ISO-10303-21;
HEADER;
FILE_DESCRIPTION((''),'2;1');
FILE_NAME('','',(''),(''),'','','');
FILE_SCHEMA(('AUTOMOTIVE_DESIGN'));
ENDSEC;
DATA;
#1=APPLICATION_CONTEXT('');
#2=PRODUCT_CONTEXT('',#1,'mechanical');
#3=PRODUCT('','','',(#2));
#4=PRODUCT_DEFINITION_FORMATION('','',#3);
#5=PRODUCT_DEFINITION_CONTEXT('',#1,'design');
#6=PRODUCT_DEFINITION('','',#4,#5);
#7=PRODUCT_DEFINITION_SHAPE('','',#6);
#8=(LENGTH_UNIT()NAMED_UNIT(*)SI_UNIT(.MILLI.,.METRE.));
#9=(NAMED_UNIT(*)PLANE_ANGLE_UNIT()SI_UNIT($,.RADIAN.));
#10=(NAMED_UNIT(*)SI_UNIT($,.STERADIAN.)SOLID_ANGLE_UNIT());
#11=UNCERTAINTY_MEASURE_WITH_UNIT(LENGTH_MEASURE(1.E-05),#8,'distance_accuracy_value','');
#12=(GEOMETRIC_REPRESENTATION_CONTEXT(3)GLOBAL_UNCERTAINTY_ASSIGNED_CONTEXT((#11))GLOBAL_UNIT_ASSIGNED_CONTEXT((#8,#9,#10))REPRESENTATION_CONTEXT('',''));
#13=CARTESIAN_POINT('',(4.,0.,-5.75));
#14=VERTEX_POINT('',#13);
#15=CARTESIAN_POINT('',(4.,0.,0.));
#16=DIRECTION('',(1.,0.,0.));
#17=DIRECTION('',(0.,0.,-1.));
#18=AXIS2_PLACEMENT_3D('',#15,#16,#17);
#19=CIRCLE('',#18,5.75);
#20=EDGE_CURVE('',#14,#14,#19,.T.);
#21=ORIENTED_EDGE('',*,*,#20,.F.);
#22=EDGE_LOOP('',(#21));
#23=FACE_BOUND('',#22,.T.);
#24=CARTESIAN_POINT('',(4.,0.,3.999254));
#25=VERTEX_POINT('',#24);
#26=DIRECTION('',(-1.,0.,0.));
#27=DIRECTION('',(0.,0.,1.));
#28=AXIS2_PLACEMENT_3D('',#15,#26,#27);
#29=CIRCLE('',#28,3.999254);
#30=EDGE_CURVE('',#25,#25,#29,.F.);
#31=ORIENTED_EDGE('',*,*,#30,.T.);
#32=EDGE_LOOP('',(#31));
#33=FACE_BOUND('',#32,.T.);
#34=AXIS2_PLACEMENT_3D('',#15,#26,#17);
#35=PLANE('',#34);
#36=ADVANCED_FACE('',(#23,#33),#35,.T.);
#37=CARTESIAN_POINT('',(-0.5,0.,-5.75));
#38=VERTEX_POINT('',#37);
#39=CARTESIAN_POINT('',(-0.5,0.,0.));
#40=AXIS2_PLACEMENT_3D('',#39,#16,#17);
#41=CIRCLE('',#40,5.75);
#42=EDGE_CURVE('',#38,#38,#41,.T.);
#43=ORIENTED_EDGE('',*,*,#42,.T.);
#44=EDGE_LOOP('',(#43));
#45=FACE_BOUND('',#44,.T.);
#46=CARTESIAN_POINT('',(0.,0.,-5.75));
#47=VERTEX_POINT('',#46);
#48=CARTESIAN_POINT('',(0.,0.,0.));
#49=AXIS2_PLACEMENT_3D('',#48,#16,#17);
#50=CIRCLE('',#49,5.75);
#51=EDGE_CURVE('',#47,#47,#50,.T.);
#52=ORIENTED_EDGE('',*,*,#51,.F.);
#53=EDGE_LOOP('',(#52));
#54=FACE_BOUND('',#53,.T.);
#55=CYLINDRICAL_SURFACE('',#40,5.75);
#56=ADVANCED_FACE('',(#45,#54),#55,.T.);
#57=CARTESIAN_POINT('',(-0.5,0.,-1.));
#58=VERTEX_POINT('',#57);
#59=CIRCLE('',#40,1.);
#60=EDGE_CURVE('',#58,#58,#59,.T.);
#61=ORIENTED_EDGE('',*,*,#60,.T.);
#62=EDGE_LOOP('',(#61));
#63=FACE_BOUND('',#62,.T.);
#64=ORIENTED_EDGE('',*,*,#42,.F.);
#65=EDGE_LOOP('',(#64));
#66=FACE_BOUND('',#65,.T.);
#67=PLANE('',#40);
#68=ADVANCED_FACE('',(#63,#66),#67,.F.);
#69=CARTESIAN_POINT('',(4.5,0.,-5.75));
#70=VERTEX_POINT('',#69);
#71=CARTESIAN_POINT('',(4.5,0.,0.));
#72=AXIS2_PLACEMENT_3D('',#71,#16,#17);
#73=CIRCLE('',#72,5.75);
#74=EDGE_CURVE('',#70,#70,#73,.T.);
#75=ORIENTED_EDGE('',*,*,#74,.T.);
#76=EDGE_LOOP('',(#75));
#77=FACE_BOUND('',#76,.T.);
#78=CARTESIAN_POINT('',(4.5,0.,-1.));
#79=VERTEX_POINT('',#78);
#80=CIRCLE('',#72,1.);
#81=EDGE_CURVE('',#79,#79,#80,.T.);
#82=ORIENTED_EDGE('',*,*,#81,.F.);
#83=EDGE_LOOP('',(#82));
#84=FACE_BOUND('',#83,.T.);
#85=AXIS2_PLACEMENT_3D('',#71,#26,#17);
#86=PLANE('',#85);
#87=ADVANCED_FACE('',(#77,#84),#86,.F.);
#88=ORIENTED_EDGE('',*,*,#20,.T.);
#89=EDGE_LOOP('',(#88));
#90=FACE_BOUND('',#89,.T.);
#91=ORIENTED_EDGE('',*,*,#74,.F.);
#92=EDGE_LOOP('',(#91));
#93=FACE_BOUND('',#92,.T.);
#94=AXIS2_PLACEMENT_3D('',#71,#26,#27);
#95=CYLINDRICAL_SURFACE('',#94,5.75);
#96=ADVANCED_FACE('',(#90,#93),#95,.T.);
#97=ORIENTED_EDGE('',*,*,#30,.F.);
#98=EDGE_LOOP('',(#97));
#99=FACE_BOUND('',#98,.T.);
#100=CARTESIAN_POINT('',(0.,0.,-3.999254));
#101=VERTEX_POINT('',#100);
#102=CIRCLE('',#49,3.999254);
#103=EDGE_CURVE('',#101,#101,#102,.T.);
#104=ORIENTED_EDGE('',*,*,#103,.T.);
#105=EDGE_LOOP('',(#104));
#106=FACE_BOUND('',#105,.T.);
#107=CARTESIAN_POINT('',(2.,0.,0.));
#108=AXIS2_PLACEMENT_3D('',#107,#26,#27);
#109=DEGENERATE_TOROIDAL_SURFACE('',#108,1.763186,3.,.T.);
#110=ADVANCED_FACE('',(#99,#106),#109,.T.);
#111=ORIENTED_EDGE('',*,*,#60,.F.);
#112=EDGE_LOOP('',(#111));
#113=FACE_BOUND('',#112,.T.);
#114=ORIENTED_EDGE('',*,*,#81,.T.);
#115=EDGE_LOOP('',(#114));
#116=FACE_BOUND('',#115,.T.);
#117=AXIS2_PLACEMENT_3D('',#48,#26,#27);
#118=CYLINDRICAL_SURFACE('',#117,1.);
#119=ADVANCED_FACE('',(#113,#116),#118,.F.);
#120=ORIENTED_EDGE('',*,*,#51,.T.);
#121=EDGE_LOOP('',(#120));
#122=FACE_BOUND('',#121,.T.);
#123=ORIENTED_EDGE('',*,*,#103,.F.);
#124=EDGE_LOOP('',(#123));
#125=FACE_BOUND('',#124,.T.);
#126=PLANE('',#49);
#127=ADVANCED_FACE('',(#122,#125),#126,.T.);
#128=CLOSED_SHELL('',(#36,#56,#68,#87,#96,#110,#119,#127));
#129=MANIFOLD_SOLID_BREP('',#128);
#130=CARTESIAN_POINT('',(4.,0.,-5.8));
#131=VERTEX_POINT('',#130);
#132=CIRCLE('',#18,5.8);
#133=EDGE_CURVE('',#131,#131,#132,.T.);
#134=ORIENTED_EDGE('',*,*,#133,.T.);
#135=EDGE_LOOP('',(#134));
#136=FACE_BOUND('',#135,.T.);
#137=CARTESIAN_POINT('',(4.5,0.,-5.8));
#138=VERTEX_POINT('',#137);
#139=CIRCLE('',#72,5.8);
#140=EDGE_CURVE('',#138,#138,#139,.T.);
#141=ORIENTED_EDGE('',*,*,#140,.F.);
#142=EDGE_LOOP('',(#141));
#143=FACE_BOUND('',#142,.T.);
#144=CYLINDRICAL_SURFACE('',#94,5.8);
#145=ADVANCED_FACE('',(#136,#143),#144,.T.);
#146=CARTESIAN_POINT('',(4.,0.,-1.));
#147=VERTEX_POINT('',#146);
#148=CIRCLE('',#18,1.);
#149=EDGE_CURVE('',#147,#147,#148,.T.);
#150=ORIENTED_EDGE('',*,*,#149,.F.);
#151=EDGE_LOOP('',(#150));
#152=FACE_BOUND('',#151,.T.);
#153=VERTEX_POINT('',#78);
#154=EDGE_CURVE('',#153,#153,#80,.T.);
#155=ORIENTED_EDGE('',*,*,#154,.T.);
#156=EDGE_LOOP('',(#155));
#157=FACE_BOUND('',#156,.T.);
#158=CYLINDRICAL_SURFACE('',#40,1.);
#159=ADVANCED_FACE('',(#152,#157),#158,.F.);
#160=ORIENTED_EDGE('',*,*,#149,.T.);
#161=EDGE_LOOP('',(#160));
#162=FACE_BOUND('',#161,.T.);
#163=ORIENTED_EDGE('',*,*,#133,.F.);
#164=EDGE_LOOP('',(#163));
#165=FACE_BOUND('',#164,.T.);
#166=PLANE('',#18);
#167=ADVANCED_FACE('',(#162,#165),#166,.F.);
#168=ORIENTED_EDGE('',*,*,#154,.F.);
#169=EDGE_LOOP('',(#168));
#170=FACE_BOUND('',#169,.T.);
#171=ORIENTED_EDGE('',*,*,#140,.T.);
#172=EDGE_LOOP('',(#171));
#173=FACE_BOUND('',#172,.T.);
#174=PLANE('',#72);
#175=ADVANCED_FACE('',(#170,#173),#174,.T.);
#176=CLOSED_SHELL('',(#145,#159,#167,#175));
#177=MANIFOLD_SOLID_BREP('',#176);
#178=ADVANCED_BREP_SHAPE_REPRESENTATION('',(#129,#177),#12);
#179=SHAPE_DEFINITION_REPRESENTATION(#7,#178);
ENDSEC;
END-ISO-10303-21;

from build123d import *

# Parameters (mm, degrees)
SKETCH6_R           = 5.75
BOSS_EXTRUDE4_DEPTH = 0.5
SKETCH7_W           = 4
SKETCH7_H           = 2.999254163
SKETCH21_R          = 5.8
BOSS_EXTRUDE5_DEPTH = 0.5
SKETCH22_R          = 1
CUT_EXTRUDE1_DEPTH  = 10.606247967


with BuildPart() as part:
    # Sketch6 → Boss-Extrude4 (new body)
    with BuildSketch(Plane(origin=(0, 0, 0), x_dir=(0, 0, -1), z_dir=(1, 0, 0))):
        Circle(SKETCH6_R)
    boss_extrude4 = extrude(amount=-BOSS_EXTRUDE4_DEPTH)

    # Sketch7 → Revolve1 (revolve)
    with BuildSketch(Plane(origin=(0, 0, 0), x_dir=(1, 0, 0), z_dir=(0, 1, 0))):
        with Locations((2, -2.499627081)):
            Rectangle(SKETCH7_W, SKETCH7_H)
        with BuildLine():
            Line((4, -3.999254163), (0, -3.999254163))
            ThreePointArc((0, -3.999254163), (2, -4.763186185), (4, -3.999254163))
        make_face()
    revolve(axis=Axis((0, 0, 0), (1, 0, 0)))

    # Mirror1: Boss-Extrude4 across plane
    add(boss_extrude4.mirror(Plane(origin=(2, 0, 0), x_dir=(0, 0, 1), z_dir=(1, 0, 0))))


with BuildPart() as body_2:
    # Sketch21 → Boss-Extrude5 (new body)
    with BuildSketch(Plane(origin=(4, 0, 0), x_dir=(0, 0, -1), z_dir=(1, 0, 0))):
        Circle(SKETCH21_R)
    extrude(amount=BOSS_EXTRUDE5_DEPTH)


with BuildPart() as cut_extrude1_tool:
    # Sketch22 → Cut-Extrude1 (new, through all)
    with BuildSketch(Plane(origin=(4.5, 0, 0), x_dir=(0, 0, -1), z_dir=(1, 0, 0))):
        Circle(SKETCH22_R)
    extrude(amount=-CUT_EXTRUDE1_DEPTH)


with BuildPart() as part_1:
    add(part.part)

    # Cut-Extrude1: cut by cut_extrude1_tool
    add(cut_extrude1_tool.part, mode=Mode.SUBTRACT)


with BuildPart() as body_2_1:
    add(body_2.part)

    # Cut-Extrude1: cut by cut_extrude1_tool
    add(cut_extrude1_tool.part, mode=Mode.SUBTRACT)


solid = Compound([part_1.part, body_2_1.part])
